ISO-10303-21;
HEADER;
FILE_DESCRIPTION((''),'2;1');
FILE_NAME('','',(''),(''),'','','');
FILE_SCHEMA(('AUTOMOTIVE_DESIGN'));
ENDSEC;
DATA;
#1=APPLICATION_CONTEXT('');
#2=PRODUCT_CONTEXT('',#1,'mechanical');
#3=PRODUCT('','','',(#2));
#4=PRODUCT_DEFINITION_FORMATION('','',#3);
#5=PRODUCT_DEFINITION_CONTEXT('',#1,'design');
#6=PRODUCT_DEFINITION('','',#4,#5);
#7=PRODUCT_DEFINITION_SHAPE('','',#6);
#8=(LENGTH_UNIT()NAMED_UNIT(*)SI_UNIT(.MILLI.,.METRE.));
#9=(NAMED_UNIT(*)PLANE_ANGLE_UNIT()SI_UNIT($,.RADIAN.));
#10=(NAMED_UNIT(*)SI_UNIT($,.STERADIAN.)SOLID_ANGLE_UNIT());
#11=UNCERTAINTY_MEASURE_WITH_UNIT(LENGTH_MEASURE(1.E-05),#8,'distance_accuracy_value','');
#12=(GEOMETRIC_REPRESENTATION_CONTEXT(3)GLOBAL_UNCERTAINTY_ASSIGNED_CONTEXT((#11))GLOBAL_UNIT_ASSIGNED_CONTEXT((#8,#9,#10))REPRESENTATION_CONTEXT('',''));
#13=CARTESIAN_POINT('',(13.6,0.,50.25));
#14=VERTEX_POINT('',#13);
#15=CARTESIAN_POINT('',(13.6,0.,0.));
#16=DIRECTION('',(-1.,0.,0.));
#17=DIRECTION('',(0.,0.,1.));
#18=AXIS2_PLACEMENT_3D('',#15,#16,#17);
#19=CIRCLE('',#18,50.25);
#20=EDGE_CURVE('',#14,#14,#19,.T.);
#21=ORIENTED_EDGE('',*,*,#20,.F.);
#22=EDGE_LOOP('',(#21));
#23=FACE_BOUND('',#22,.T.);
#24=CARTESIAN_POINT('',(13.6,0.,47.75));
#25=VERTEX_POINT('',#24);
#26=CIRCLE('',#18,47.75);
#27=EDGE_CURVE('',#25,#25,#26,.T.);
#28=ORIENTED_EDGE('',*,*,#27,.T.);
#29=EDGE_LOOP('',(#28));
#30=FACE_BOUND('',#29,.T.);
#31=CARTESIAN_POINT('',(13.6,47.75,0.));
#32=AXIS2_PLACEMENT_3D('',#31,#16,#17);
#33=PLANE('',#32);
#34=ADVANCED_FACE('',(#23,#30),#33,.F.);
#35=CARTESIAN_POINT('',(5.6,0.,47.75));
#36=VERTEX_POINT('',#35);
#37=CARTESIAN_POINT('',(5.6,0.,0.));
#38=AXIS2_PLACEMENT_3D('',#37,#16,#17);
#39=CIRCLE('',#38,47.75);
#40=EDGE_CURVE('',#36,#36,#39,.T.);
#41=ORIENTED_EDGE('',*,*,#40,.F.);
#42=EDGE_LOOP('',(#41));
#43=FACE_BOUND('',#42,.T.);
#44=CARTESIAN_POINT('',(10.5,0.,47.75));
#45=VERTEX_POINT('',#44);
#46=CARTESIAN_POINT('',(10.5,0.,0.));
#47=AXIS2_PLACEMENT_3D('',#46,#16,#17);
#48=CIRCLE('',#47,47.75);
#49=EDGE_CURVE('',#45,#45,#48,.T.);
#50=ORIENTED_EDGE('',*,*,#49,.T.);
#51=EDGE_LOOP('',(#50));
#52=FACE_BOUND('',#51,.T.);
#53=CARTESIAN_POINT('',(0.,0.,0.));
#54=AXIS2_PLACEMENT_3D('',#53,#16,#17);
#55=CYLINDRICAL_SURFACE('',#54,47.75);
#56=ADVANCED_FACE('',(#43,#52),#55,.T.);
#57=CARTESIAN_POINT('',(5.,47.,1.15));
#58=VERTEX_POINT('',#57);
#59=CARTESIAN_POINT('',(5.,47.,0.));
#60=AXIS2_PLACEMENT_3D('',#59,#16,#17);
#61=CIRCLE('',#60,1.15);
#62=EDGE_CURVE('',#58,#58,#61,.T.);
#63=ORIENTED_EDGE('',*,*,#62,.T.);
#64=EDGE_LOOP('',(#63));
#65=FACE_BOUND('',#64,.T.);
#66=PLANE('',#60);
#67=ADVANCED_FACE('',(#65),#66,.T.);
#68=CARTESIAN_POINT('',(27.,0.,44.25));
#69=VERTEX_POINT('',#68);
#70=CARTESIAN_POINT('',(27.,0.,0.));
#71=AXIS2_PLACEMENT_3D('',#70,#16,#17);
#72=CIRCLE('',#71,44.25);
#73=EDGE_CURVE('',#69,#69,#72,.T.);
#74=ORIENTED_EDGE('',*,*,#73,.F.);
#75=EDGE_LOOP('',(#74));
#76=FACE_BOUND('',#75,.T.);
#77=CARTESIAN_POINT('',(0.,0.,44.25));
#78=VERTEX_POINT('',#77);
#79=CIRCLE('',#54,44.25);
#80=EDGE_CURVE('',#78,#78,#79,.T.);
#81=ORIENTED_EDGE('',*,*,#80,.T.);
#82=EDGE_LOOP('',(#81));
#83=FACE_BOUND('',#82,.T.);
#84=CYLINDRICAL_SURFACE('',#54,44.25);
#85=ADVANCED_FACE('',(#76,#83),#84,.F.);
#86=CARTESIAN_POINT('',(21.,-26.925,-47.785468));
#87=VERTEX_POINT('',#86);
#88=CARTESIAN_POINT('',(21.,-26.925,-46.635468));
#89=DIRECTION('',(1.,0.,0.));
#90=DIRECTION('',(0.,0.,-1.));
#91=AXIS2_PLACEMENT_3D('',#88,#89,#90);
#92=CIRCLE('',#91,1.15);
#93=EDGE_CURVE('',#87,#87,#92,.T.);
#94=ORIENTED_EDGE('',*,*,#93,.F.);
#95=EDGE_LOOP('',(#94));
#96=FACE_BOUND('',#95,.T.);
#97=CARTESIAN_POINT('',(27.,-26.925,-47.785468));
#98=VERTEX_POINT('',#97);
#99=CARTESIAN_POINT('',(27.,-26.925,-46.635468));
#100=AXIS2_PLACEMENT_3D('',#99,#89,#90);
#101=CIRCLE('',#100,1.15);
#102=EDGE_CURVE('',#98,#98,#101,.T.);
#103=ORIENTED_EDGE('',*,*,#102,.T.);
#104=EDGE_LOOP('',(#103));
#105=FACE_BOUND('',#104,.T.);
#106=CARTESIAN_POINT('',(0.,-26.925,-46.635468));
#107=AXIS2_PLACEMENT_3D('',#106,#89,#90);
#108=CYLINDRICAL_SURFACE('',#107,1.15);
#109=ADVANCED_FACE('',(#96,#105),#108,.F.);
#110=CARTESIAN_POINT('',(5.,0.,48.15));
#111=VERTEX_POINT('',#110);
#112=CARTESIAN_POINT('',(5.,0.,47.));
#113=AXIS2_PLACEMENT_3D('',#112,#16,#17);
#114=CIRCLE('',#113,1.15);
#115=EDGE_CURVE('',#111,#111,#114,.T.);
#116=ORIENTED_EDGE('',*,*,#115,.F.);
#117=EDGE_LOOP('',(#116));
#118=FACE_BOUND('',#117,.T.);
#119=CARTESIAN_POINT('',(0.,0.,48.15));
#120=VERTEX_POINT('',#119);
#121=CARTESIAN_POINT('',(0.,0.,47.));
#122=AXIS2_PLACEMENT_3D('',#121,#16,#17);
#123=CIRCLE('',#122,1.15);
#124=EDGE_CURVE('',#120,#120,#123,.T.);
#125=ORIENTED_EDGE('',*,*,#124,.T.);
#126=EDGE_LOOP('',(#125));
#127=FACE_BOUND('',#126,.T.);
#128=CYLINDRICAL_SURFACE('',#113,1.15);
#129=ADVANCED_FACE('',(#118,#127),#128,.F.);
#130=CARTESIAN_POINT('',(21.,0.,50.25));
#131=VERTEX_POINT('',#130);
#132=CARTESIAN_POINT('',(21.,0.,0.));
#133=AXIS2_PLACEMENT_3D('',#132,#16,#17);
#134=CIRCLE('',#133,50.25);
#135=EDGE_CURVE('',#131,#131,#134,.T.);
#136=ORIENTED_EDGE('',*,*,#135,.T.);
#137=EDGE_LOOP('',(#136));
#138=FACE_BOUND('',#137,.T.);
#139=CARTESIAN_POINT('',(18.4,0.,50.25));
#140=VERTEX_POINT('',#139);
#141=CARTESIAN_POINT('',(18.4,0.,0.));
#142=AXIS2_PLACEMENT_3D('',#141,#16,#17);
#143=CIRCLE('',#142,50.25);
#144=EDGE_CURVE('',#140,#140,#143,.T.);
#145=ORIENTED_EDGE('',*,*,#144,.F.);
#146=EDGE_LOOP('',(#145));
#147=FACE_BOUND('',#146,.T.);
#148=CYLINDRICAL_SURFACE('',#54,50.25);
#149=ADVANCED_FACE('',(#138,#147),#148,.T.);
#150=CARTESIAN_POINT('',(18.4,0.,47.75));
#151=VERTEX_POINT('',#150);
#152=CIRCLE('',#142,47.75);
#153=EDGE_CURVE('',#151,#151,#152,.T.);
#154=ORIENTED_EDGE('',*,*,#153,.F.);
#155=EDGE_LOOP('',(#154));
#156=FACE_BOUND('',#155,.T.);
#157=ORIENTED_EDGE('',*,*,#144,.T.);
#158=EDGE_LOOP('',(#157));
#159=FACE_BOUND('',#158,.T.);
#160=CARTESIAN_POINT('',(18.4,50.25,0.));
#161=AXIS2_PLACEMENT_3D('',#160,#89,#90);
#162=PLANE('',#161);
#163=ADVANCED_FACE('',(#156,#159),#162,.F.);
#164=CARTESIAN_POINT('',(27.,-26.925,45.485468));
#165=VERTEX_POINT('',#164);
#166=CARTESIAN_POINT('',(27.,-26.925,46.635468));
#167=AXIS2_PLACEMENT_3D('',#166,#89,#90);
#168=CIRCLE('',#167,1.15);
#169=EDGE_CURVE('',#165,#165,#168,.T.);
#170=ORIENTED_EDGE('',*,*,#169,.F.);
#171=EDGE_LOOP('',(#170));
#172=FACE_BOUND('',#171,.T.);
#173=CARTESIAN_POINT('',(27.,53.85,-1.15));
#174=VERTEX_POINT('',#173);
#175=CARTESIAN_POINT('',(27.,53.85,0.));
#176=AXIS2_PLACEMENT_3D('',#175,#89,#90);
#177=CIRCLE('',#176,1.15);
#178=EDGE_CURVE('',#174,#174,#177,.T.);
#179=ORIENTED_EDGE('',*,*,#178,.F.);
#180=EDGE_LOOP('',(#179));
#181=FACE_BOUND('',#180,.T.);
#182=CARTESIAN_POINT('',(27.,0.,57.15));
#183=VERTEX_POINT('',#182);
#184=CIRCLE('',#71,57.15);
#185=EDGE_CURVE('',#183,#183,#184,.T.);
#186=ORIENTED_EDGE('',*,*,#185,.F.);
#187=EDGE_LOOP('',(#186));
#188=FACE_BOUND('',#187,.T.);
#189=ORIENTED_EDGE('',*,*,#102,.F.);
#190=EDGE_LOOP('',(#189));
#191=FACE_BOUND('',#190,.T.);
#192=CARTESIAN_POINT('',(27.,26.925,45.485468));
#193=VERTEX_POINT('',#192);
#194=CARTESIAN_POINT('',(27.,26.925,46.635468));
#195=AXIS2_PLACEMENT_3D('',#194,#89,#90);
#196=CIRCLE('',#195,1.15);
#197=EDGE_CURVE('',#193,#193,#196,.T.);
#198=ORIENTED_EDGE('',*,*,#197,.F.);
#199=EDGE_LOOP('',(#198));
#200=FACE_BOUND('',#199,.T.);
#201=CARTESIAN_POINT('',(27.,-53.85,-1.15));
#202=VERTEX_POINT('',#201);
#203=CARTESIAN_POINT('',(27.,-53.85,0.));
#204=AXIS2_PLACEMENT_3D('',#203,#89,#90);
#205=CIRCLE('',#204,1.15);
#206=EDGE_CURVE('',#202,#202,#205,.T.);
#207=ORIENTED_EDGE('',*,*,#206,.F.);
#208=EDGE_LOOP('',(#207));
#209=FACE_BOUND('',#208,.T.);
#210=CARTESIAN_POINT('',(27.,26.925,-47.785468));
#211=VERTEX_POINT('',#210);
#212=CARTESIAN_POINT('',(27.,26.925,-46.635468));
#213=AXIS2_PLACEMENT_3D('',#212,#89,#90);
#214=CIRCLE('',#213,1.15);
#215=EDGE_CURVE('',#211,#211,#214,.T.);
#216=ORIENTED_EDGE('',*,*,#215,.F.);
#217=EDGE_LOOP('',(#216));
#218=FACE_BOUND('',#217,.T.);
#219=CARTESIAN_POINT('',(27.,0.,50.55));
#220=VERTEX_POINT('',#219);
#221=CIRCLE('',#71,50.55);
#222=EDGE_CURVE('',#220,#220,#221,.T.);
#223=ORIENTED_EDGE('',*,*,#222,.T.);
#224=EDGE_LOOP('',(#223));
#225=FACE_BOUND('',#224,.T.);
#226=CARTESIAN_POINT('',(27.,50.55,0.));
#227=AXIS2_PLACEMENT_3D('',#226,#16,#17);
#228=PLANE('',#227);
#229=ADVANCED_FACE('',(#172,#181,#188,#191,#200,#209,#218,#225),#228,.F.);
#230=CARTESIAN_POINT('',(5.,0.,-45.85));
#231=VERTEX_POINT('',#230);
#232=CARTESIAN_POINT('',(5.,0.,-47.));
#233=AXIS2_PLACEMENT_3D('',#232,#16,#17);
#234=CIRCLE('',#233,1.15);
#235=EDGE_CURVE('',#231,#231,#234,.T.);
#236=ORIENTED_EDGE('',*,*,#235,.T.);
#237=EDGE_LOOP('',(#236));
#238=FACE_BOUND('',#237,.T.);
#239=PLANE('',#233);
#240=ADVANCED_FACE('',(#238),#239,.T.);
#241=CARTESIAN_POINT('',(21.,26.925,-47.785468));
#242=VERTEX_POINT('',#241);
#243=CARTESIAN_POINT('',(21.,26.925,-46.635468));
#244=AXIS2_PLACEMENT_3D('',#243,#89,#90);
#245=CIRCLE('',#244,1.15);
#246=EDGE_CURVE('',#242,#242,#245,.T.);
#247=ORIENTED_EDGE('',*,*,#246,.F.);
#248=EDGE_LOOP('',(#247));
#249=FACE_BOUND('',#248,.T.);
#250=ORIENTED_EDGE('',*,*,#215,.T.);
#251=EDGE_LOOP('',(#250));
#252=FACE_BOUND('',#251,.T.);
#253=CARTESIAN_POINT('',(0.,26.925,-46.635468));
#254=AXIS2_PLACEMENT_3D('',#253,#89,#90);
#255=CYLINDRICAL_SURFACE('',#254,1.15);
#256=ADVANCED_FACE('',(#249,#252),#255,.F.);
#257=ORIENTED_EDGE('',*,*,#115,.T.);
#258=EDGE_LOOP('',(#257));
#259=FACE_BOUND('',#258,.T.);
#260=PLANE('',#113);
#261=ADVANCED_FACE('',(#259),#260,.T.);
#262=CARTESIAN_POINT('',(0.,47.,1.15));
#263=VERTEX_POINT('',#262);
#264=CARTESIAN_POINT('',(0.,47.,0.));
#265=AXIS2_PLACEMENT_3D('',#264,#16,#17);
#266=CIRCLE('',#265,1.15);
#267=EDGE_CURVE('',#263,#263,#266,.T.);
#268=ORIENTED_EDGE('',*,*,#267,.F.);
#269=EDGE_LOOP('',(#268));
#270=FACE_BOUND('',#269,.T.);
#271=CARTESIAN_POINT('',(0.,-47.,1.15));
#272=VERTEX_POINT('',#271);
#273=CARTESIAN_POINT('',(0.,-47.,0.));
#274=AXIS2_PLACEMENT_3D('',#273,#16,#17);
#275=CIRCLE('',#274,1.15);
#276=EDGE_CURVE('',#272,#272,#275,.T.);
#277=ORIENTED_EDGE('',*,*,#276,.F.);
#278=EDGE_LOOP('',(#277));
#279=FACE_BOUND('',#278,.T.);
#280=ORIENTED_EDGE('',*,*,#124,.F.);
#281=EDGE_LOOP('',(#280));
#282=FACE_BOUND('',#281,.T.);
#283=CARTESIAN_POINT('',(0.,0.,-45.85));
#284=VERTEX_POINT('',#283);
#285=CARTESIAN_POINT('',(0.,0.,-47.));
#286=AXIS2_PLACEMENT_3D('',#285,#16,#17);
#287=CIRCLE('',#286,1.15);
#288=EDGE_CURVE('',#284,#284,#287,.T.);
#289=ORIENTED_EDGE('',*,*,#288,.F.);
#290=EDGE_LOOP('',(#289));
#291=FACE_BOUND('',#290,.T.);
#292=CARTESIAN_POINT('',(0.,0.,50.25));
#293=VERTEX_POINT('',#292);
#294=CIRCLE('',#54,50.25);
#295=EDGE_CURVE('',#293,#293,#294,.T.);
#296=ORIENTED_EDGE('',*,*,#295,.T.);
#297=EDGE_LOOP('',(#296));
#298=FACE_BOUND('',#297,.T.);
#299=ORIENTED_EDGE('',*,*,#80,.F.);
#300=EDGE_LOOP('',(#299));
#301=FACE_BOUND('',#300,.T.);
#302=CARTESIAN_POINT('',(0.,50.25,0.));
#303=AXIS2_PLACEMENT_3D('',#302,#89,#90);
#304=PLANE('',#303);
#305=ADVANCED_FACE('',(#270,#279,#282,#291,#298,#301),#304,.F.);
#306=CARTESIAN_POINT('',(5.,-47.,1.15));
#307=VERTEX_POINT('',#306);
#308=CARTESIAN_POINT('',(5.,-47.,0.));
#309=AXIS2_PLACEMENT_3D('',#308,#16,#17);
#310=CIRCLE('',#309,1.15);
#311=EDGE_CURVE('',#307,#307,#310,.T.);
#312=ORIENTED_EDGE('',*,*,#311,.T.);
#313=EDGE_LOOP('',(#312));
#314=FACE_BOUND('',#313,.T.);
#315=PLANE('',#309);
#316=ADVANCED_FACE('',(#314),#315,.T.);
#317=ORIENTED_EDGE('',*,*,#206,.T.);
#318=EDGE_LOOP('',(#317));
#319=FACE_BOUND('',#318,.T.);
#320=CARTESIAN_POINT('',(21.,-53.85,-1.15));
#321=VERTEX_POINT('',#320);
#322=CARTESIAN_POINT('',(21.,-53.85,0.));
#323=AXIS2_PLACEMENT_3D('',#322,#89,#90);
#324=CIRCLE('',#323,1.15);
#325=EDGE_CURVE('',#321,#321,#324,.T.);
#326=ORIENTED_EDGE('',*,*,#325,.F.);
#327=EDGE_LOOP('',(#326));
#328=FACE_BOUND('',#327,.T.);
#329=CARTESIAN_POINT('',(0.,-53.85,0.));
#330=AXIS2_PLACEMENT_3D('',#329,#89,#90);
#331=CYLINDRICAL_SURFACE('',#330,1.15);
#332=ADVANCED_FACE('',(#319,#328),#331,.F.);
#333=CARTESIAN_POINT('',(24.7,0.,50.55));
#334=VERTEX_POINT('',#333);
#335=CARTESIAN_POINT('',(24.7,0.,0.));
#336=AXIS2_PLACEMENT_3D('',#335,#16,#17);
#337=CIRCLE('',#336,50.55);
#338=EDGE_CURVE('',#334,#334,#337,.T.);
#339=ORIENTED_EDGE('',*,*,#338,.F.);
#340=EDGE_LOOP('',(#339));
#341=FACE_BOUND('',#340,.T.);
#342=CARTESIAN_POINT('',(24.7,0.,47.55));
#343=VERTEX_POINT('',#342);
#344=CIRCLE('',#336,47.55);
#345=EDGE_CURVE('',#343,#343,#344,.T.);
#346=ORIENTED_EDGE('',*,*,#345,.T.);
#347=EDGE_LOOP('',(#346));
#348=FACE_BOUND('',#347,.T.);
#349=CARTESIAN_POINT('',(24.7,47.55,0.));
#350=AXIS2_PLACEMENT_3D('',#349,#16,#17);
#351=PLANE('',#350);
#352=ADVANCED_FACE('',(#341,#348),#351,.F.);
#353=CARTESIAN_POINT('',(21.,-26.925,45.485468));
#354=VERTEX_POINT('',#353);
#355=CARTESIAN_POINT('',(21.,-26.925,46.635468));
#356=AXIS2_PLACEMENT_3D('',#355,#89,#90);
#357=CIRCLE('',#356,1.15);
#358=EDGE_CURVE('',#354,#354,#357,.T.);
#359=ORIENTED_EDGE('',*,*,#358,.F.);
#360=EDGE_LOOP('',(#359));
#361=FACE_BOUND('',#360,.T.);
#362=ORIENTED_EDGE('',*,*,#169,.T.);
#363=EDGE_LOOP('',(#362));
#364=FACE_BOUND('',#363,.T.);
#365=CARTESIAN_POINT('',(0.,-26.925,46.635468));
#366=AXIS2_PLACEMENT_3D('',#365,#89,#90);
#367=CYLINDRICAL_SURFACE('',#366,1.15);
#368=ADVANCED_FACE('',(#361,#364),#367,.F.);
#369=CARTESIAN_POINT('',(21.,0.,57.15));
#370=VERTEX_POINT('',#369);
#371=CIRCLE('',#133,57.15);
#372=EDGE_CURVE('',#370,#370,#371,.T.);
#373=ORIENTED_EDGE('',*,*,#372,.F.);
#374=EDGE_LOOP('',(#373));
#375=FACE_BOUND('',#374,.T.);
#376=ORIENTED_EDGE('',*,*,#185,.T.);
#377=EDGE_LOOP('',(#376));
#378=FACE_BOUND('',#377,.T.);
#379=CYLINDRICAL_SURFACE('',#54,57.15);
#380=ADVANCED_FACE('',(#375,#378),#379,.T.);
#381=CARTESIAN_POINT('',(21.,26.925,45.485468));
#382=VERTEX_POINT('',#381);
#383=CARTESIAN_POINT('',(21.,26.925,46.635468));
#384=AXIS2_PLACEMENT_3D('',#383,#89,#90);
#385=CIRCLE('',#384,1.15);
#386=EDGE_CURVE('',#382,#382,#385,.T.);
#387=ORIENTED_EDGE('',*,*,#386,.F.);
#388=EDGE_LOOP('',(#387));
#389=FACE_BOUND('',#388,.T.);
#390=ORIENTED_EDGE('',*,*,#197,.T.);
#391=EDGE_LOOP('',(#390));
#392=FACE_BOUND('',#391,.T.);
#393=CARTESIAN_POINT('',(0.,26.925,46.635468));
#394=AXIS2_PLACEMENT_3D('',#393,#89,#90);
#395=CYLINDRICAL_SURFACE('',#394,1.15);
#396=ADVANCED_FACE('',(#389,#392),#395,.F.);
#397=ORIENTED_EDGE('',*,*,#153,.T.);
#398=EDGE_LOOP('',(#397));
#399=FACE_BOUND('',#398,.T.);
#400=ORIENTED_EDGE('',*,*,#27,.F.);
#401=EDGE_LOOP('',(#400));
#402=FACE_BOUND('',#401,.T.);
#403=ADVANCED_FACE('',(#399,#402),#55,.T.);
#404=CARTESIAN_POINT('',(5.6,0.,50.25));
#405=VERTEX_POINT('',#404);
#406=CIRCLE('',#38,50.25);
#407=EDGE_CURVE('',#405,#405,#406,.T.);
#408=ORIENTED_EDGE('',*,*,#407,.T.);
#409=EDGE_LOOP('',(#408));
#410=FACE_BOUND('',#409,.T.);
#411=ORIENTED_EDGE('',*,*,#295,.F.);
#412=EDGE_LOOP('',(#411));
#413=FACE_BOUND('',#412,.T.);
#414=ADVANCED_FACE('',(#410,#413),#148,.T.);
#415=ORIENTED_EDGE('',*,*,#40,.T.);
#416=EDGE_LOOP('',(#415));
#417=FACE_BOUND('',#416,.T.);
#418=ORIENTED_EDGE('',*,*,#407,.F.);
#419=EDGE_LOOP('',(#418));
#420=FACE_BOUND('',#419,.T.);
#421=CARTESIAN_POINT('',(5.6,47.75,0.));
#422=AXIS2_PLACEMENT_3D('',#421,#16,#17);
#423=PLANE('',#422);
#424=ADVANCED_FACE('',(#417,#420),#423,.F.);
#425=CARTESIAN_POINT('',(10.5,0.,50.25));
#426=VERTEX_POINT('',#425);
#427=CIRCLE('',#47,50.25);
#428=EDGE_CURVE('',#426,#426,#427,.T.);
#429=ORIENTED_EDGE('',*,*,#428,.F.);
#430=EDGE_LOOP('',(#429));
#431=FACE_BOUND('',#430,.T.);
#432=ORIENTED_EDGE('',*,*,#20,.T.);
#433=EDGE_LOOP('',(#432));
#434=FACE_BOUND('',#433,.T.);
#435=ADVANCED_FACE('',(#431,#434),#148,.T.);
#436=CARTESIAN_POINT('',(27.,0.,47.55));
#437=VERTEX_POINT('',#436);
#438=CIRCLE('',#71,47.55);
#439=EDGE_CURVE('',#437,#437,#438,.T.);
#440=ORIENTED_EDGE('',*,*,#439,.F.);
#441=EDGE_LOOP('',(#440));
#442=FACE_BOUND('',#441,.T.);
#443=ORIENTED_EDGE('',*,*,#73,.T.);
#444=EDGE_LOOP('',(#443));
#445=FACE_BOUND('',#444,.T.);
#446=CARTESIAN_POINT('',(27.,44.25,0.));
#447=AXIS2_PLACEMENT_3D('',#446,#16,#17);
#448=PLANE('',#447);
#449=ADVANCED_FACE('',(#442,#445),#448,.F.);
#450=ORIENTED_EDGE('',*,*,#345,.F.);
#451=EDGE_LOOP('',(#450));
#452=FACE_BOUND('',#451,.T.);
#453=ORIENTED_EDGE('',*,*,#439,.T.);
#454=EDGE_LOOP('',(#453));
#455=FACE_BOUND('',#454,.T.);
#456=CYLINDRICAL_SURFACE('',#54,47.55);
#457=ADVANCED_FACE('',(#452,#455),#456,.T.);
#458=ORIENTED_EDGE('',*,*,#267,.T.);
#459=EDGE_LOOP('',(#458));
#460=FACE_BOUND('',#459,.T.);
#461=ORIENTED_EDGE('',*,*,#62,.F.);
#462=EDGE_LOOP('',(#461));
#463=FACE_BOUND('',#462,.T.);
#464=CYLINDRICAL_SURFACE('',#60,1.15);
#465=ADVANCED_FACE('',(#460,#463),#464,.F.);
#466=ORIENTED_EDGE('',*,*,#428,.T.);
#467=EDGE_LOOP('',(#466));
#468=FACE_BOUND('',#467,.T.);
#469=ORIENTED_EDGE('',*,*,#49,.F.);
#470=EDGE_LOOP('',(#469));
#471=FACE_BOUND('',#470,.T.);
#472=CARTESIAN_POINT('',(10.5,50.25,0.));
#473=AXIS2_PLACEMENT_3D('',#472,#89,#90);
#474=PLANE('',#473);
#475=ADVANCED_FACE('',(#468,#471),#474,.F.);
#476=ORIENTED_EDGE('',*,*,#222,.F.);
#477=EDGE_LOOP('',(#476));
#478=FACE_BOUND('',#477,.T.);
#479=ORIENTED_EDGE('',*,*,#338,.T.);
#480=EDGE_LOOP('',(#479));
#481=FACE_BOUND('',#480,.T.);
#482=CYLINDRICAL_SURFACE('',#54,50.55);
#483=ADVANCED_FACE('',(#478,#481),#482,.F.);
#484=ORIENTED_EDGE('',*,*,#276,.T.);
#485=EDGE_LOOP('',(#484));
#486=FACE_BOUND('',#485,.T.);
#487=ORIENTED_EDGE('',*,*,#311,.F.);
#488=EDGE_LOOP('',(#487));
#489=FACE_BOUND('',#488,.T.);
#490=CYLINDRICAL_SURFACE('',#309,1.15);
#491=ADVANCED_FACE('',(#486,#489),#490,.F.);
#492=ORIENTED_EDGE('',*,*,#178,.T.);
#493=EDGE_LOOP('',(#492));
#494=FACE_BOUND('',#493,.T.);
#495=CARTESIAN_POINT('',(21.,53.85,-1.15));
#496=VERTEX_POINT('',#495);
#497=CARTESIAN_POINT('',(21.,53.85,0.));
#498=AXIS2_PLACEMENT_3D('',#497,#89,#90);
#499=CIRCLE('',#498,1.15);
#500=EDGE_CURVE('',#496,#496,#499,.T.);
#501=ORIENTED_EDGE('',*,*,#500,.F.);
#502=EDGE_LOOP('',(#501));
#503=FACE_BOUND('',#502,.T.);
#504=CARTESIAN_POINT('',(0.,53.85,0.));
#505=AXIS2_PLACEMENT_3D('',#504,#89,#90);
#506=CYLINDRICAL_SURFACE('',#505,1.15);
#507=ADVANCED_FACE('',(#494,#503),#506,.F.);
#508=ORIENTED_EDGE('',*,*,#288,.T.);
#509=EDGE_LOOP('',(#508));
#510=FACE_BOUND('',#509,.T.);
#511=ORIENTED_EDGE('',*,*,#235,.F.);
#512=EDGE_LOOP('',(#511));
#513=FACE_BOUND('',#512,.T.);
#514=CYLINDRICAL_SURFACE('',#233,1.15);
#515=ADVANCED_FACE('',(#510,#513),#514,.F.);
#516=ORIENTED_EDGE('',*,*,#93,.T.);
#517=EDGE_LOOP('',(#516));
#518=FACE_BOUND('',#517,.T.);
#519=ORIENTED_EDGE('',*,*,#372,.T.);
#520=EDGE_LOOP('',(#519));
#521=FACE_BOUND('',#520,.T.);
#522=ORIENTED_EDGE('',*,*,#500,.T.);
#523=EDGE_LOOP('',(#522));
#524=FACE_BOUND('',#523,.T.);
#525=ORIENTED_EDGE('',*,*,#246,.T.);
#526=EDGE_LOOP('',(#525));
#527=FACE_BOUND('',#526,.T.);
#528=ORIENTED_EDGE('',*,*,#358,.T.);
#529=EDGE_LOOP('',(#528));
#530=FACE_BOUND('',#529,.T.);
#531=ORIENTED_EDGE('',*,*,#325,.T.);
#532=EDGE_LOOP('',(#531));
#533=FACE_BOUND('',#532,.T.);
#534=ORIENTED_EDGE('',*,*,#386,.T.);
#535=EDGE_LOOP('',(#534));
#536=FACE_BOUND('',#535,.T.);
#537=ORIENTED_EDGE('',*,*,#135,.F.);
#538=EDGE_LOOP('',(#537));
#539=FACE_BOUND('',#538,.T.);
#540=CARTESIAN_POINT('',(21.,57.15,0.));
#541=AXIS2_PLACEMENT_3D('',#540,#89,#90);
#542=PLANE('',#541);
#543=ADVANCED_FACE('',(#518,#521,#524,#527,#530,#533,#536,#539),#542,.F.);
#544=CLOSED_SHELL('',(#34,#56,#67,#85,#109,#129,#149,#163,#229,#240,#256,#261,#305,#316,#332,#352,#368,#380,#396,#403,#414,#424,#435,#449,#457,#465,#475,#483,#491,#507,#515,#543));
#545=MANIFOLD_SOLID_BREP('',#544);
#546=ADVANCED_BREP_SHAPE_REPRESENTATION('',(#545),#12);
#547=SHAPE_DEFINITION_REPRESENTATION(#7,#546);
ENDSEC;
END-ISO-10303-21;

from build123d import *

# Parameters (mm, degrees)
ESQUISSE2_R             = 1.15
ENL_V_MAT_EXTRU_1_DEPTH = 86.212939158
ESQUISSE3_R             = 1.15
ENL_V_MAT_EXTRU_2_DEPTH = 5


with BuildPart() as part:
    # Esquisse1 → Révolution1 (revolve)
    with BuildSketch(Plane.XY, mode=Mode.PRIVATE) as r_volution1_sk:
        Polygon((0, 44.25), (27, 44.25), (27, 47.55), (24.7, 47.55), (24.7, 50.55), (27, 50.55), (27, 57.15), (21, 57.15), (21, 50.25), (18.4, 50.25), (18.4, 47.75), (13.6, 47.75), (13.6, 50.25), (10.5, 50.25), (10.5, 47.75), (5.6, 47.75), (5.6, 50.25), (0, 50.25), align=None)
    revolve(r_volution1_sk.sketch.rotate(Axis((0, 0, 0), (1, 0, 0)), 90), axis=Axis((0, 0, 0), (1, 0, 0)))

    # Esquisse2 → Enlèv. mat.-Extru.1 (cut, through all)
    with BuildSketch(Plane(origin=(27, 0, 0), x_dir=(0, 0, -1), z_dir=(1, 0, 0))):
        with Locations((0, 53.85)):
            Circle(ESQUISSE2_R)
        with Locations((46.635467994, 26.925)):
            Circle(ESQUISSE2_R)
        with Locations((46.635467994, -26.925)):
            Circle(ESQUISSE2_R)
        with Locations((0, -53.85)):
            Circle(ESQUISSE2_R)
        with Locations((-46.635467994, -26.925)):
            Circle(ESQUISSE2_R)
        with Locations((-46.635467994, 26.925)):
            Circle(ESQUISSE2_R)
    extrude(amount=-ENL_V_MAT_EXTRU_1_DEPTH, mode=Mode.SUBTRACT)

    # Esquisse3 → Enlèv. mat.-Extru.2 (cut)
    with BuildSketch(Plane.ZY):
        with Locations((0, -47)):
            Circle(ESQUISSE3_R)
        with Locations((-47, 0)):
            Circle(ESQUISSE3_R)
        with Locations((0, 47)):
            Circle(ESQUISSE3_R)
        with Locations((47, 0)):
            Circle(ESQUISSE3_R)
    extrude(amount=-ENL_V_MAT_EXTRU_2_DEPTH, mode=Mode.SUBTRACT)


solid = part.part
